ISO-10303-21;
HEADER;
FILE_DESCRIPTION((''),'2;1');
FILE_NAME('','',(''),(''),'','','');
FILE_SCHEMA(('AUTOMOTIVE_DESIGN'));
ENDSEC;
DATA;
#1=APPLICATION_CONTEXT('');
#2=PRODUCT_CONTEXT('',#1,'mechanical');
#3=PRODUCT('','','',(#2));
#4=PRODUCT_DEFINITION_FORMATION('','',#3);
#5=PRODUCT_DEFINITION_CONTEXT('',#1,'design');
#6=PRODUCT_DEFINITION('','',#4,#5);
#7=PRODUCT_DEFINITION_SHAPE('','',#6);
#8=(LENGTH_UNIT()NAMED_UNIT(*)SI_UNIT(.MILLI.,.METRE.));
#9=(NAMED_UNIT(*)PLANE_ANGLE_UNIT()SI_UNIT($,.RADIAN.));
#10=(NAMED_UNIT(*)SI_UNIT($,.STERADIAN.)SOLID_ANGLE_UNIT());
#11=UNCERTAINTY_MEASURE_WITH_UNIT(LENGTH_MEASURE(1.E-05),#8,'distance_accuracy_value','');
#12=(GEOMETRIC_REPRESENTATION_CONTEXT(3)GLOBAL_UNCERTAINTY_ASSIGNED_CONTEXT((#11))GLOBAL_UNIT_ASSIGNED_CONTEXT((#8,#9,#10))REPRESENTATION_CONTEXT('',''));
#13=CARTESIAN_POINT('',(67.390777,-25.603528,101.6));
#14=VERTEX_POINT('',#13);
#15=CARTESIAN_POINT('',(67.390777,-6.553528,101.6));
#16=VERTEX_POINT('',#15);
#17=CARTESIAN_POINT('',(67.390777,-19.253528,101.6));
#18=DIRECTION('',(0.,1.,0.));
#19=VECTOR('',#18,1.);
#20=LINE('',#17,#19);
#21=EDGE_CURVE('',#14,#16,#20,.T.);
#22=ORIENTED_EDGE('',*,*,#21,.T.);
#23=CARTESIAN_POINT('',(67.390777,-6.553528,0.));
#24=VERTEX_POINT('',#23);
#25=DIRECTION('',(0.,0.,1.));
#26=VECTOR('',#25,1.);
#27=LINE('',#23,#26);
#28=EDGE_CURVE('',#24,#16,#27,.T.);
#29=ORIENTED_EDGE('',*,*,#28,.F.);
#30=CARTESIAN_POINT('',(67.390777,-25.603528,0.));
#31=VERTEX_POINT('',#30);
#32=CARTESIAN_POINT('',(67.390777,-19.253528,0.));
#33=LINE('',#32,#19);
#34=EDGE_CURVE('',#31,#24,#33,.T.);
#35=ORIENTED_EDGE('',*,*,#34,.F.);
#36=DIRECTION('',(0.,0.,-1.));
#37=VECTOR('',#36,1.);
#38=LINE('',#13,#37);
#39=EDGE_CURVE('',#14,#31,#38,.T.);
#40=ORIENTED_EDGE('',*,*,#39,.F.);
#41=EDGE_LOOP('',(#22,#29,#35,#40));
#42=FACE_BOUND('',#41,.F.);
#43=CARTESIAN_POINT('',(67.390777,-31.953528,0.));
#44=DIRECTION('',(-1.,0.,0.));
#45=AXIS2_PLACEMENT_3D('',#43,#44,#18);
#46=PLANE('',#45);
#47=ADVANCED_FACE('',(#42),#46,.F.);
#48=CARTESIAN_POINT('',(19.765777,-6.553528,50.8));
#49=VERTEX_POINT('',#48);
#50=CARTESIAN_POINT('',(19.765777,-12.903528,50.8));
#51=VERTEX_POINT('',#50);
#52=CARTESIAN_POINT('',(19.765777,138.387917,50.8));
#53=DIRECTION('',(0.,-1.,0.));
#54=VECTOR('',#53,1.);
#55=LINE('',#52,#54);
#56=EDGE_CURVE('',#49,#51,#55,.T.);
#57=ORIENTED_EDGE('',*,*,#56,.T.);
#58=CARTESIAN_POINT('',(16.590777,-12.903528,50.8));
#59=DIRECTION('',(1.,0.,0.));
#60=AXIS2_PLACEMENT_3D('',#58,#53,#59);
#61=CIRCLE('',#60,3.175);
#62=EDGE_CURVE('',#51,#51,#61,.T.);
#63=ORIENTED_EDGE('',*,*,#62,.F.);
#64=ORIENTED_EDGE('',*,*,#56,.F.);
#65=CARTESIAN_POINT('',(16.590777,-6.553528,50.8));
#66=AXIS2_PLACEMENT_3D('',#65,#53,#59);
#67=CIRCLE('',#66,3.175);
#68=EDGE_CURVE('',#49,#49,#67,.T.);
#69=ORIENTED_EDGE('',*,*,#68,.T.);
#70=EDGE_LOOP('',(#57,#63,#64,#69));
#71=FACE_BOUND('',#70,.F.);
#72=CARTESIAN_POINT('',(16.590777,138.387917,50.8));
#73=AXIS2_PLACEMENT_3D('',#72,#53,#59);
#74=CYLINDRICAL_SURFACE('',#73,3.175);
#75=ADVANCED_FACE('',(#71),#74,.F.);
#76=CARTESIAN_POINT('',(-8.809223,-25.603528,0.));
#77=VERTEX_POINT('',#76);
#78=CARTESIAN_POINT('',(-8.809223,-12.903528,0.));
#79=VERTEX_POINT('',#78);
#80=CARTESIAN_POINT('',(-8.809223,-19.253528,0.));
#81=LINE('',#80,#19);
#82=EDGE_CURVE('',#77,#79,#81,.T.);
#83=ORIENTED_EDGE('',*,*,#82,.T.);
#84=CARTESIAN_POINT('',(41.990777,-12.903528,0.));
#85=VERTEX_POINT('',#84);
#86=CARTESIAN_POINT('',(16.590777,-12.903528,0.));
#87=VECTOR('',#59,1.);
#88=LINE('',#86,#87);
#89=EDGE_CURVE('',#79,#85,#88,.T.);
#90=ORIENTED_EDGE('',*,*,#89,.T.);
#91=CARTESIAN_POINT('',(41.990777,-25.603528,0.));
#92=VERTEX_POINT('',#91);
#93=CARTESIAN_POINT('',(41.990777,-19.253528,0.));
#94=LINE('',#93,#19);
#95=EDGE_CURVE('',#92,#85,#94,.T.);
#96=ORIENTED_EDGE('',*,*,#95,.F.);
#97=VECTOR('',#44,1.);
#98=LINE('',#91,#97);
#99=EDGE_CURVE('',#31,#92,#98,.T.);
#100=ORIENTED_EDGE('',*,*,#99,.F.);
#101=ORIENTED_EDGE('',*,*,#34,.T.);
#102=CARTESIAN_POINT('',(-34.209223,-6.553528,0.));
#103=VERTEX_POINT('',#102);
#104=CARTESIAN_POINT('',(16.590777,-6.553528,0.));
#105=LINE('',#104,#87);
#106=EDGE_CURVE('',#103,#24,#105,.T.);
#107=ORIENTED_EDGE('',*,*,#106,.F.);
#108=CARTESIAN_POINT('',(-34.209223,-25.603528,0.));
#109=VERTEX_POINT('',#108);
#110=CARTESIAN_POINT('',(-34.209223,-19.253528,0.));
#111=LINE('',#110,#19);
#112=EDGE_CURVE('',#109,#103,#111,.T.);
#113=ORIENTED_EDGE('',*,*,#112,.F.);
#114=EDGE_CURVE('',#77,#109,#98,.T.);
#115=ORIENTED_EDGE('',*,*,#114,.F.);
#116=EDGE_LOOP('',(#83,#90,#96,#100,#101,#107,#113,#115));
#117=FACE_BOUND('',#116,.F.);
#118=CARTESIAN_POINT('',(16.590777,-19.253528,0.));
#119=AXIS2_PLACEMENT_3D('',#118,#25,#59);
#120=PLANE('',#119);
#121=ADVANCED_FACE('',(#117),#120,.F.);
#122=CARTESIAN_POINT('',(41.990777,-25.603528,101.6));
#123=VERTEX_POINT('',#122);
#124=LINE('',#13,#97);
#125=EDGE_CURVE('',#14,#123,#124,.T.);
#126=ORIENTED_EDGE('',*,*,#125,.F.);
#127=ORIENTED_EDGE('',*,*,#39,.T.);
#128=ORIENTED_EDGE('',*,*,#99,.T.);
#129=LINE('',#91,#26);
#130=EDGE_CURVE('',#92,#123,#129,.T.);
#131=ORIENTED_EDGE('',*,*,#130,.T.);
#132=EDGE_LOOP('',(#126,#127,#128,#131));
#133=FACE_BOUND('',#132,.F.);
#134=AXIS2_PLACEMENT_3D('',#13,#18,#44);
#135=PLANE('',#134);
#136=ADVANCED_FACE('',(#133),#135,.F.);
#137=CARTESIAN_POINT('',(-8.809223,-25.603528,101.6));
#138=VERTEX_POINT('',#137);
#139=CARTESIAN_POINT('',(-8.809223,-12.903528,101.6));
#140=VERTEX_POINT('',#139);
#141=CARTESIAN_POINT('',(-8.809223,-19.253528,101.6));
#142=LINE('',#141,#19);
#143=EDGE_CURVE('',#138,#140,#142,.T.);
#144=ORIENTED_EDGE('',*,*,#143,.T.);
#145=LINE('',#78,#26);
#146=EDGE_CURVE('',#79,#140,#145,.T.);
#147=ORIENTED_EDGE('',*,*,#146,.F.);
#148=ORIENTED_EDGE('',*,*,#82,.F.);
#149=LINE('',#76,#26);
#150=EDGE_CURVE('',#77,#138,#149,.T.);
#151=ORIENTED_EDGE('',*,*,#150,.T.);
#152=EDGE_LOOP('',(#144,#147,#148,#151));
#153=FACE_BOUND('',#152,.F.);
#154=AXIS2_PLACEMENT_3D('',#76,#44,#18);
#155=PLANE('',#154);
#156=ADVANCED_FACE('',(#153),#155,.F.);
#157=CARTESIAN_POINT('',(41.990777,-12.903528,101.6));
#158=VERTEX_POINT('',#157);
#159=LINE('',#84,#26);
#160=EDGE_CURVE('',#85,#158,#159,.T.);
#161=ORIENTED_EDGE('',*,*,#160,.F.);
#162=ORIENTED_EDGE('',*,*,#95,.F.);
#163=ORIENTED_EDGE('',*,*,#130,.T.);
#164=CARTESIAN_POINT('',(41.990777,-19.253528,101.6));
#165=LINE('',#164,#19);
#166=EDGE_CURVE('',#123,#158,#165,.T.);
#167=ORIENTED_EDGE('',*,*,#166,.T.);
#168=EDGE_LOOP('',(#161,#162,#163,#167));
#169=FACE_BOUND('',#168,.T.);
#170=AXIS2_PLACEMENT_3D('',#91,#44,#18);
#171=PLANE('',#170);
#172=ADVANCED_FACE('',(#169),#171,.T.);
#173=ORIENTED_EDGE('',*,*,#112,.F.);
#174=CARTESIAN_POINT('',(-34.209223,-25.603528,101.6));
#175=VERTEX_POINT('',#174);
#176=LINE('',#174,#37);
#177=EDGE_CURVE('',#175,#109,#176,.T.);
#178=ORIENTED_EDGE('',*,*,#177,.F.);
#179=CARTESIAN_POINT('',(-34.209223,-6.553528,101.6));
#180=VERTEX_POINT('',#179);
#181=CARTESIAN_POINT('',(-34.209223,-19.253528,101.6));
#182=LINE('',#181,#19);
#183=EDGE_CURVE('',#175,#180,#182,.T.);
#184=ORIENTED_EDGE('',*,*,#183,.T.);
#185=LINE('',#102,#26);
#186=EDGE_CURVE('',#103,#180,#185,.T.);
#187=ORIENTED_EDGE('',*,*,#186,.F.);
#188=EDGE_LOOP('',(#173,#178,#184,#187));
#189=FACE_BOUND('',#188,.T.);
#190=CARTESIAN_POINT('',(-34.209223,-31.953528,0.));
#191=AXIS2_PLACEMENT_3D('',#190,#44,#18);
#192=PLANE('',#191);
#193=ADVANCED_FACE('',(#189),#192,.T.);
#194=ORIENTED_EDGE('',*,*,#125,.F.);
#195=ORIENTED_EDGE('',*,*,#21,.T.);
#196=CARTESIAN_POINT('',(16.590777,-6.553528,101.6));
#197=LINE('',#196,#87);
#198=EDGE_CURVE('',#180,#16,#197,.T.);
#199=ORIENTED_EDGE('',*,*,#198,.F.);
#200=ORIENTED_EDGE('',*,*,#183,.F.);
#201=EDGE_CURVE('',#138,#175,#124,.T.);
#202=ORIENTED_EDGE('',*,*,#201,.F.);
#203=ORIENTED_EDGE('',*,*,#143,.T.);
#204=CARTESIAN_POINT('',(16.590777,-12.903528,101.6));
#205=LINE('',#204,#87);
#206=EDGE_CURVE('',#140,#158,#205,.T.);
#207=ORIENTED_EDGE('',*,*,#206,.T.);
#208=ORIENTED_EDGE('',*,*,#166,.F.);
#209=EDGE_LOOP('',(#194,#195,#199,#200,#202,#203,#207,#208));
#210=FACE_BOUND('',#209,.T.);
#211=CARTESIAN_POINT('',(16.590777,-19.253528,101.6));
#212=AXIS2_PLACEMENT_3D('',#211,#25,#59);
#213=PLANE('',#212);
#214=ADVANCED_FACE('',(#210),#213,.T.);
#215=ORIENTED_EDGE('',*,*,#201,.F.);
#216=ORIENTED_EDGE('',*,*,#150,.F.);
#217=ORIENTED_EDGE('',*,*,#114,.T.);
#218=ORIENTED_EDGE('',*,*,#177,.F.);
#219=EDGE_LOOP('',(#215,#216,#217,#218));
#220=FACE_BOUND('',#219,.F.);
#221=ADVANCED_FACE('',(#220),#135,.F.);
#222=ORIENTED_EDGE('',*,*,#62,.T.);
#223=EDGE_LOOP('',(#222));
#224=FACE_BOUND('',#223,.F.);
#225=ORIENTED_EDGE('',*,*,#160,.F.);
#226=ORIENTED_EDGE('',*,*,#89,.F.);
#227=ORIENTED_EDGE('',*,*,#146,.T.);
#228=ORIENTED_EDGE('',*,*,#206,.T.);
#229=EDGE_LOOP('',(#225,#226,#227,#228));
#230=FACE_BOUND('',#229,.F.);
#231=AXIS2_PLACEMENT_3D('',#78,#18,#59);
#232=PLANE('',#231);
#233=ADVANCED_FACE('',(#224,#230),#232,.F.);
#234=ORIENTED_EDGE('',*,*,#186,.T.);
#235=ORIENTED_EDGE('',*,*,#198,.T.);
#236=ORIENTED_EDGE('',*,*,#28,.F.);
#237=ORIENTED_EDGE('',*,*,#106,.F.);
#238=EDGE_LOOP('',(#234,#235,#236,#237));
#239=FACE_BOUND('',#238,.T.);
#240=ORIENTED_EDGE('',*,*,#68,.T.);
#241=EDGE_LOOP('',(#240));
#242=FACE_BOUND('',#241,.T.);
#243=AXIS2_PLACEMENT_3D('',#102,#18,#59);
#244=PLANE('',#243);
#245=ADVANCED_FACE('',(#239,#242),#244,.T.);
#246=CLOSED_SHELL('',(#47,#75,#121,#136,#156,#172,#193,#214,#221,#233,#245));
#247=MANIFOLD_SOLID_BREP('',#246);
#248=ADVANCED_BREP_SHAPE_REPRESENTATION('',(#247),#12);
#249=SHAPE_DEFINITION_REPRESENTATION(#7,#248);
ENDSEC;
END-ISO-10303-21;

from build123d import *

# Parameters (mm, degrees)
F0_W     = 101.6
F0_H     = 25.4
F0_W_2   = 50.8
F0_H_2   = 12.7
F1_DEPTH = 101.6
F3_DEPTH = 101.601
F5_D     = 6.35


with BuildPart() as f1:
    # F0 (on Top) → F1 (new body)
    with BuildSketch(Plane.XY):
        with Locations((16.590777, -19.253528)):
            Rectangle(F0_W, F0_H)
        with Locations((16.590777, -19.253528)):
            Rectangle(F0_W_2, F0_H_2, mode=Mode.SUBTRACT)
    extrude(amount=F1_DEPTH)

    # F2 (on face) → F3 (cut, through all)
    with BuildSketch(Plane.XY.offset(101.6)):
        Polygon((41.990777, -25.603528), (-8.809223, -25.603528), (-34.209223, -25.603528), (-34.209223, -31.953528), (67.390777, -31.953528), (67.390777, -25.603528), align=None)
    extrude(amount=-F3_DEPTH, mode=Mode.SUBTRACT)

    # F5 (through all)
    with Locations(Plane(origin=(0, -6.553528, 0), x_dir=(-1, 0, 0), z_dir=(0, 1, 0))):
        with Locations((-16.590777, 50.8)):
            Hole(F5_D / 2)


solid = f1.part
